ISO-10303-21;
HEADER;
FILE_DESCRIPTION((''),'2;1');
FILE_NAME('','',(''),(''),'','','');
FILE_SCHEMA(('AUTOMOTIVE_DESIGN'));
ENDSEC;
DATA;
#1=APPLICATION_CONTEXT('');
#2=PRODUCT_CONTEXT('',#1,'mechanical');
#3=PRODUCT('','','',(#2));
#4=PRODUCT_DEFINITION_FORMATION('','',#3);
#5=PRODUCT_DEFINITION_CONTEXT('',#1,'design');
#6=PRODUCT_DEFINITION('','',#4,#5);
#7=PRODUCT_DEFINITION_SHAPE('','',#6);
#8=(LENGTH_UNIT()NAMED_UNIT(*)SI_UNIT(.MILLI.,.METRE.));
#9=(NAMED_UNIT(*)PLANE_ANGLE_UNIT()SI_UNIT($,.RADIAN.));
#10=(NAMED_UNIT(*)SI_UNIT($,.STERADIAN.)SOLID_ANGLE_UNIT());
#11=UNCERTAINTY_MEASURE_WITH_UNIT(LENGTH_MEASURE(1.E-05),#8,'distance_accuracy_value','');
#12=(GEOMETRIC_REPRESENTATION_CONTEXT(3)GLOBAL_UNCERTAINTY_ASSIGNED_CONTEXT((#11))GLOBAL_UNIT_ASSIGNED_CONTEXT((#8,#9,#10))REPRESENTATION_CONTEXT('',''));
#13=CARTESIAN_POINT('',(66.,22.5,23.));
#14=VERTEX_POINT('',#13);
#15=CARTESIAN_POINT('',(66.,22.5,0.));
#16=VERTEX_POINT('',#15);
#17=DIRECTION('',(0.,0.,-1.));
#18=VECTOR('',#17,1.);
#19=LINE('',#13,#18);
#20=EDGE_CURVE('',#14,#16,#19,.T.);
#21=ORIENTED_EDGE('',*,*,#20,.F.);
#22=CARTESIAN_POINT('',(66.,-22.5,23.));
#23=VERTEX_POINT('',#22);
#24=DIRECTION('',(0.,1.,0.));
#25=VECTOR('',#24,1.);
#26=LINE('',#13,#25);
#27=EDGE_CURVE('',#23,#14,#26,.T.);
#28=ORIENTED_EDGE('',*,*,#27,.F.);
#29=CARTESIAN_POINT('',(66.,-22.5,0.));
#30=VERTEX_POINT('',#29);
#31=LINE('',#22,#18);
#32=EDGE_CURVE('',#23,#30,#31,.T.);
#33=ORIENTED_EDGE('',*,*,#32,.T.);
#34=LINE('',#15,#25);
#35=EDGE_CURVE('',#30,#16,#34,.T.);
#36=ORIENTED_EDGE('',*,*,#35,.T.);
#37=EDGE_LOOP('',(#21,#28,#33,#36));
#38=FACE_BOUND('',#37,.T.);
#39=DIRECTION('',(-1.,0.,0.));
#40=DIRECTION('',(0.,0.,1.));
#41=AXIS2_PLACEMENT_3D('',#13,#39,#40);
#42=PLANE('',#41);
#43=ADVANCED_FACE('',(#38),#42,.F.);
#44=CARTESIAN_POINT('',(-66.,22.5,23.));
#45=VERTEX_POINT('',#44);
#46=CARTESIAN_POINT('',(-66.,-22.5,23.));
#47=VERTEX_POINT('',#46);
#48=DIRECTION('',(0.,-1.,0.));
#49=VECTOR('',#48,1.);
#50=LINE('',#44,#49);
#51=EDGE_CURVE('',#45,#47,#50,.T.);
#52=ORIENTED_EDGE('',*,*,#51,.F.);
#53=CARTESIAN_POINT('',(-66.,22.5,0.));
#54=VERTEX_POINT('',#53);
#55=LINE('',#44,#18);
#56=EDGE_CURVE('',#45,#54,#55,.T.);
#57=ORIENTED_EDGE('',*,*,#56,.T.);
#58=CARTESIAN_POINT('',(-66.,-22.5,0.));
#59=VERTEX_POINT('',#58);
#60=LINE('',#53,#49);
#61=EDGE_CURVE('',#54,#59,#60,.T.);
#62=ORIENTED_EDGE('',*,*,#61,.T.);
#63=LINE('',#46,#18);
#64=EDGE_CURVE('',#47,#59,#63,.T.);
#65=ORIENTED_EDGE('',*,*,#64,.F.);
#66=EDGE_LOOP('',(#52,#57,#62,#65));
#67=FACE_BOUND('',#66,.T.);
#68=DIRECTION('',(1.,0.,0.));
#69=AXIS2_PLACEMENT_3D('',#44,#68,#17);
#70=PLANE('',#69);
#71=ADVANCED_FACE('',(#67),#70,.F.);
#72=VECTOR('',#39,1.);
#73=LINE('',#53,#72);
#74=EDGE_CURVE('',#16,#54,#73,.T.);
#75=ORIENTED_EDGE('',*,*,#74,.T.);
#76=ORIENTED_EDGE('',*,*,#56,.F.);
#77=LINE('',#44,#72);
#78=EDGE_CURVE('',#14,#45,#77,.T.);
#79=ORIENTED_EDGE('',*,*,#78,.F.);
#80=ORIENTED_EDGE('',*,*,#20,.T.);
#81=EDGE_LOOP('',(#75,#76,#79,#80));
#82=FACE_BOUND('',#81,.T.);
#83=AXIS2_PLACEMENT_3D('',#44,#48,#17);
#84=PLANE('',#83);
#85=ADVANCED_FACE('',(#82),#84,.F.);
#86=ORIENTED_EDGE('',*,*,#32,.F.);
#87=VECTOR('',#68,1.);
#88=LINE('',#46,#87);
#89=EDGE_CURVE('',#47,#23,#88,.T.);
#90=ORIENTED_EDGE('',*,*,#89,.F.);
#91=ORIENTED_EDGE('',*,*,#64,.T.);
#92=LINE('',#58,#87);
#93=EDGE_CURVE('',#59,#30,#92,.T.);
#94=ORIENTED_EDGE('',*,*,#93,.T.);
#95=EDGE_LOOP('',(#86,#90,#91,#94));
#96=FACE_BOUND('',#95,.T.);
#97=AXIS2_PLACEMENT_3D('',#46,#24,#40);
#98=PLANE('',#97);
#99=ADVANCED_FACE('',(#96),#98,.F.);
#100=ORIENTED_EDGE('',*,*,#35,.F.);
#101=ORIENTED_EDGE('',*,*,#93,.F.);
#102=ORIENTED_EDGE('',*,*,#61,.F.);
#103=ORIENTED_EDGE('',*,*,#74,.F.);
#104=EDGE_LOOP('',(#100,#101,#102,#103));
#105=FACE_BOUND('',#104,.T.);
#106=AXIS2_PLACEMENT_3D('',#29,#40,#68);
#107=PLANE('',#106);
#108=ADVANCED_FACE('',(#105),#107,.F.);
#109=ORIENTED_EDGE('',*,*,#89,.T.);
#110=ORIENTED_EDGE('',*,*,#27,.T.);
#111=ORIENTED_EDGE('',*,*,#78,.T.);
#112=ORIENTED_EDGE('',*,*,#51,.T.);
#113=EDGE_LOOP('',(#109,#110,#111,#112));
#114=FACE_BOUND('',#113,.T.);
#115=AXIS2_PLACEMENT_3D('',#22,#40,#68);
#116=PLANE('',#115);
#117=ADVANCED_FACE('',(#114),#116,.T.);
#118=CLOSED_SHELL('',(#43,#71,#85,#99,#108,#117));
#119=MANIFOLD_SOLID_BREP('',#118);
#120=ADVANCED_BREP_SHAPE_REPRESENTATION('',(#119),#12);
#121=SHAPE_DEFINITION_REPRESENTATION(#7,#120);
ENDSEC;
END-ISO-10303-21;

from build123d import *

# Parameters (mm, degrees)
SKETCH_1_W      = 132
SKETCH_1_H      = 45
EXTRUDE_1_DEPTH = 23


with BuildPart() as part:
    # 草圖1 → 伸長1 (new body)
    with BuildSketch(Plane.XY):
        Rectangle(SKETCH_1_W, SKETCH_1_H)
    extrude(amount=EXTRUDE_1_DEPTH)


solid = part.part
